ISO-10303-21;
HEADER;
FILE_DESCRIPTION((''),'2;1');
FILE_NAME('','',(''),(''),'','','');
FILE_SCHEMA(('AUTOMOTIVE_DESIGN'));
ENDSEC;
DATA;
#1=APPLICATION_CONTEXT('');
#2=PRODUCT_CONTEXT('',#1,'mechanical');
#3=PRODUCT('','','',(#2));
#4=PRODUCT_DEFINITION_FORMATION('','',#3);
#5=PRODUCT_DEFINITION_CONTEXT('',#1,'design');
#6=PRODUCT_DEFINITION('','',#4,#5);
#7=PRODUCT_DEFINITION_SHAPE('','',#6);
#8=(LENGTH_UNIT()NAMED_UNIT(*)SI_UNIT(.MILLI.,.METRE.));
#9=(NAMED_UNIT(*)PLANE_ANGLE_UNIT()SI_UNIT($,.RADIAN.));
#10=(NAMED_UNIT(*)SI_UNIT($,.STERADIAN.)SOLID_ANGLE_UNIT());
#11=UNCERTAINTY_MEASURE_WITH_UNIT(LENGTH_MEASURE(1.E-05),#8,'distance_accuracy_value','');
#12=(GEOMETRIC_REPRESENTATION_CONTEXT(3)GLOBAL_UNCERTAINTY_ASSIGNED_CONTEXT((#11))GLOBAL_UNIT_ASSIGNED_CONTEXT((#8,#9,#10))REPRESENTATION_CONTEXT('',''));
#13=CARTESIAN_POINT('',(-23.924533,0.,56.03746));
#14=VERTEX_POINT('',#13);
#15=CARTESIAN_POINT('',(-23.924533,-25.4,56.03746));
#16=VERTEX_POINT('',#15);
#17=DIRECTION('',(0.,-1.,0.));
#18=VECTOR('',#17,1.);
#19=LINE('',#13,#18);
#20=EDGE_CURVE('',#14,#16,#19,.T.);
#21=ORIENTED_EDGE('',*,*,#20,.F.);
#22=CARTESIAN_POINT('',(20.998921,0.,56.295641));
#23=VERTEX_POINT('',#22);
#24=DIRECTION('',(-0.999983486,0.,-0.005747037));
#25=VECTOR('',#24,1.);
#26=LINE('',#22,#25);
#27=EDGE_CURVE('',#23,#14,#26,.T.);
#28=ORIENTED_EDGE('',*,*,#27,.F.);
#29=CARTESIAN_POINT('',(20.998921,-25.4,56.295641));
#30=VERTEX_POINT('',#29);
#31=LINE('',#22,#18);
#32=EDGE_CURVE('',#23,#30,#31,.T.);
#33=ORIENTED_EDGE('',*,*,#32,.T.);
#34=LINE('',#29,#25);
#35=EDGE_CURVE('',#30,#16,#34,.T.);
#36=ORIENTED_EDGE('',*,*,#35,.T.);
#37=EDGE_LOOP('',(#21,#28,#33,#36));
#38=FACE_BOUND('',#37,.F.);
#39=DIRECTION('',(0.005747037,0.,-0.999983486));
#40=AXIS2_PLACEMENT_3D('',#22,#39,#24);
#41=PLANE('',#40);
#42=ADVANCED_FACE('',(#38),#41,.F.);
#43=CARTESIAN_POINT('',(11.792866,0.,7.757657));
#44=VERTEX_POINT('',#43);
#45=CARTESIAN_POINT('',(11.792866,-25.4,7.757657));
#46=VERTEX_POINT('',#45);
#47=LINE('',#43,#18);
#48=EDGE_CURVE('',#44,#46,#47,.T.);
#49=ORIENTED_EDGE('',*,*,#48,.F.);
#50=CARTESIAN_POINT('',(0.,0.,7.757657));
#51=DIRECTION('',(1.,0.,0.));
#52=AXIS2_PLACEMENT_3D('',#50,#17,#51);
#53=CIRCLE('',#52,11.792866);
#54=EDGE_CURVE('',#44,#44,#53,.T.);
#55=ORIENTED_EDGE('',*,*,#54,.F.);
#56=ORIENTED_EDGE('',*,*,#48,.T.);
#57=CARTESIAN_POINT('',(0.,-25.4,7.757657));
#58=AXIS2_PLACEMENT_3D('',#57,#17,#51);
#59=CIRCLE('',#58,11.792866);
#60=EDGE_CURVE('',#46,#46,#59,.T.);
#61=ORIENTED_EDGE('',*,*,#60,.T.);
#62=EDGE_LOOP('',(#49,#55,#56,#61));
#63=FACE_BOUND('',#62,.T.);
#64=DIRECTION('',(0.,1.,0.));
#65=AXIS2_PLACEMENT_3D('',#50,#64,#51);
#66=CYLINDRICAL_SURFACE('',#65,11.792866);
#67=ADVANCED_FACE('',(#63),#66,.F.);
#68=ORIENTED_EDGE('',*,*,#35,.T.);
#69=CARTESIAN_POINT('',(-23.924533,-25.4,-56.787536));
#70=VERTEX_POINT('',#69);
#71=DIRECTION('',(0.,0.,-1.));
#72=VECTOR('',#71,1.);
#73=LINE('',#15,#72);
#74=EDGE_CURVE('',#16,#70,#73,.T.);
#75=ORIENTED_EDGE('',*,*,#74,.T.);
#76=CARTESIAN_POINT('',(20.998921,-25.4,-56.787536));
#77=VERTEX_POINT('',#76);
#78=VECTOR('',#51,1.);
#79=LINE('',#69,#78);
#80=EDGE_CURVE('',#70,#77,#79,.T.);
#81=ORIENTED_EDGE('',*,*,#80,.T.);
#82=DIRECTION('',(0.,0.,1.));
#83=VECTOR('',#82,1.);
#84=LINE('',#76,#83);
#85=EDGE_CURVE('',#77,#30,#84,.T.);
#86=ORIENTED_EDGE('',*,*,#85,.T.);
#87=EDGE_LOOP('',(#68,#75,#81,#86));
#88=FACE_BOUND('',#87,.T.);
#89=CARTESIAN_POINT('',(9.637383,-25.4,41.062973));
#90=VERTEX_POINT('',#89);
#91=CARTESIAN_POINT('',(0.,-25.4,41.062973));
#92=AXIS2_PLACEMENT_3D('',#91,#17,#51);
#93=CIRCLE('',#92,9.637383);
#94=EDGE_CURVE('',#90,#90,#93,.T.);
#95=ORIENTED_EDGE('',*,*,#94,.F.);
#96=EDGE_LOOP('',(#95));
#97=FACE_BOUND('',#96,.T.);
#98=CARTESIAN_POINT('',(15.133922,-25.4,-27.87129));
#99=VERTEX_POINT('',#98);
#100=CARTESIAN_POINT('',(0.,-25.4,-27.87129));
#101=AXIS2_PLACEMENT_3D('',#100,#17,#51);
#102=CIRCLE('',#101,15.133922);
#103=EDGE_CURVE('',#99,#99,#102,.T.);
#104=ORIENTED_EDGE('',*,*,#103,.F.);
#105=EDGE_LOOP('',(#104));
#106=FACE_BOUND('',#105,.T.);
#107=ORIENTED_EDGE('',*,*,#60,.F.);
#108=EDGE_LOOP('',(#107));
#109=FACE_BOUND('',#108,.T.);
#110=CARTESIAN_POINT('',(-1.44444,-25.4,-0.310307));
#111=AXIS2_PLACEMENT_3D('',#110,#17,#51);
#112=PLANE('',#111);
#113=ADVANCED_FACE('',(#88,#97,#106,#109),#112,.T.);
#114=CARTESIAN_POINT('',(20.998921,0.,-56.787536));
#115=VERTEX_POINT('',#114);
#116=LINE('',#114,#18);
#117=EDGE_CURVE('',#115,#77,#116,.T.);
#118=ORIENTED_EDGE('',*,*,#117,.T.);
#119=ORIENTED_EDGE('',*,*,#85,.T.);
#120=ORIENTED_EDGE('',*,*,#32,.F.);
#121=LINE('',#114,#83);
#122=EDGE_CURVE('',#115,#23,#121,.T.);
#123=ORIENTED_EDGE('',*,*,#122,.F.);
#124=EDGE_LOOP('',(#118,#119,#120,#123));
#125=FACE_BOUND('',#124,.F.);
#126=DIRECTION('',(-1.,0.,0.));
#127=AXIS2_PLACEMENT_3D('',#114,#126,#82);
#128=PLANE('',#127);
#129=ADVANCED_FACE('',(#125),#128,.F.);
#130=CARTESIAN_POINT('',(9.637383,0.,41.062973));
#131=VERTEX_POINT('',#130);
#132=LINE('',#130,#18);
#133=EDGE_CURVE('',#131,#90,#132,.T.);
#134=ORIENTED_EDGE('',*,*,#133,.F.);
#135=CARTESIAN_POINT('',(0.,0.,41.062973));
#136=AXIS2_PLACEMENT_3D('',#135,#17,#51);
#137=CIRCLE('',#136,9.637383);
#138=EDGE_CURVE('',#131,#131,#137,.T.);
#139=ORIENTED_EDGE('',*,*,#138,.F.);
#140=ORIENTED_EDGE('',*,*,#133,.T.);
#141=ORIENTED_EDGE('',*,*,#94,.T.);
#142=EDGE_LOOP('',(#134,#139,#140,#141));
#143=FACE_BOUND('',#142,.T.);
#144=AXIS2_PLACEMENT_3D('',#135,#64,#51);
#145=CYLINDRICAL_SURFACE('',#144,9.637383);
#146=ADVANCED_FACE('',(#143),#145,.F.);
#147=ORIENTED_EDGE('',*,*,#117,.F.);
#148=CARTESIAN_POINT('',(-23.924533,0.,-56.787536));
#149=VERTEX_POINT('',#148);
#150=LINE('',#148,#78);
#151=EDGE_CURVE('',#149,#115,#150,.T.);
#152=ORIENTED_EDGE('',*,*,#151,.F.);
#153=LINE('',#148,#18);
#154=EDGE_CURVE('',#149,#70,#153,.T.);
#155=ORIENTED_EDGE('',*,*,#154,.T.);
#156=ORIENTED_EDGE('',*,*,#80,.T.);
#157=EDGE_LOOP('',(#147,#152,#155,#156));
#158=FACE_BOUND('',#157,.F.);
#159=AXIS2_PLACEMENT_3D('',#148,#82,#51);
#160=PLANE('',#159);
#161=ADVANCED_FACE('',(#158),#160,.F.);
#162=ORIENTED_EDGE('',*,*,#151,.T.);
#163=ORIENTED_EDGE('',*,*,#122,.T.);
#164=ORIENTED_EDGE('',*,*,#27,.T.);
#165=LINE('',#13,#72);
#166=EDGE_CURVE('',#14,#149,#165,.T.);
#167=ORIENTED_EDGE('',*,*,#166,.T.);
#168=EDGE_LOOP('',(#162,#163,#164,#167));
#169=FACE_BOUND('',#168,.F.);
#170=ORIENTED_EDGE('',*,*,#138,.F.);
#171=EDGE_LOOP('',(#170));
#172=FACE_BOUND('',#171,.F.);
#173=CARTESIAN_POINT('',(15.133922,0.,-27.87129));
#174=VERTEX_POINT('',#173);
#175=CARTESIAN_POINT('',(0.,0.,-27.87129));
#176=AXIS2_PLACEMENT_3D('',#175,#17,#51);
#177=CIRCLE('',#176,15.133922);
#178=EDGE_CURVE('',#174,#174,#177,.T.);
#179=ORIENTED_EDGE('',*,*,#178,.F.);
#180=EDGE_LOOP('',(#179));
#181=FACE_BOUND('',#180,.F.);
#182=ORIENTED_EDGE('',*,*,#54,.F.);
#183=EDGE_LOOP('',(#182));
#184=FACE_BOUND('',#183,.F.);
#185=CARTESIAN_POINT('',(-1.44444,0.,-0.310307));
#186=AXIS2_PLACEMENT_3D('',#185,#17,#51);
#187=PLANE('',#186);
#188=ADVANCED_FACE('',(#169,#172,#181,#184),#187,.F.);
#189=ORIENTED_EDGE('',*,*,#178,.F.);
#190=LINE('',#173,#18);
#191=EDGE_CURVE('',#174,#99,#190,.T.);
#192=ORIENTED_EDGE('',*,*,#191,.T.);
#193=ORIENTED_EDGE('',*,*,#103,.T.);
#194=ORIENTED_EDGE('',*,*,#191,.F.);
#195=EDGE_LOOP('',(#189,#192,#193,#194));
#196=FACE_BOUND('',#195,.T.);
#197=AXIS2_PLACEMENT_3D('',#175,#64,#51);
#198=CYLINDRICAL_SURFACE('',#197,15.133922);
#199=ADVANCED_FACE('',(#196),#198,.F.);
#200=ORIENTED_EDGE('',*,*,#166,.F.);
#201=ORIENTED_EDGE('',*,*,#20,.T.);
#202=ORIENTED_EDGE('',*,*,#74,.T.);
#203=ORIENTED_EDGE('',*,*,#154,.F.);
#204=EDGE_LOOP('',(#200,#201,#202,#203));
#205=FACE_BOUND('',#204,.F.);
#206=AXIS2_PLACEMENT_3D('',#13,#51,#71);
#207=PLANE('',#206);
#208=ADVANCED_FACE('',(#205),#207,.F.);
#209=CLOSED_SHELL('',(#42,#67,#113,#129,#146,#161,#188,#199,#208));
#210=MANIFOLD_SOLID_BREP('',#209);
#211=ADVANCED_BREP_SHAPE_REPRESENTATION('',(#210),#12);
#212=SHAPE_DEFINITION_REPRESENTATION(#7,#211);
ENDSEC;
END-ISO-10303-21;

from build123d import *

# Parameters (mm, degrees)
F0_R     = 15.133922
F0_R_2   = 11.792866
F0_R_3   = 9.637383
F1_DEPTH = 25.4


with BuildPart() as f1:
    # F0 (on Front) → F1 (new body)
    with BuildSketch(Plane.XZ):
        Polygon((20.998921, 56.295641), (-23.924533, 56.03746), (-23.924533, -56.787536), (20.998921, -56.787536), align=None)
        with Locations((0, -27.87129)):
            Circle(F0_R, mode=Mode.SUBTRACT)
        with Locations((0, 7.757657)):
            Circle(F0_R_2, mode=Mode.SUBTRACT)
        with Locations((0, 41.062973)):
            Circle(F0_R_3, mode=Mode.SUBTRACT)
    extrude(amount=F1_DEPTH)


solid = f1.part
